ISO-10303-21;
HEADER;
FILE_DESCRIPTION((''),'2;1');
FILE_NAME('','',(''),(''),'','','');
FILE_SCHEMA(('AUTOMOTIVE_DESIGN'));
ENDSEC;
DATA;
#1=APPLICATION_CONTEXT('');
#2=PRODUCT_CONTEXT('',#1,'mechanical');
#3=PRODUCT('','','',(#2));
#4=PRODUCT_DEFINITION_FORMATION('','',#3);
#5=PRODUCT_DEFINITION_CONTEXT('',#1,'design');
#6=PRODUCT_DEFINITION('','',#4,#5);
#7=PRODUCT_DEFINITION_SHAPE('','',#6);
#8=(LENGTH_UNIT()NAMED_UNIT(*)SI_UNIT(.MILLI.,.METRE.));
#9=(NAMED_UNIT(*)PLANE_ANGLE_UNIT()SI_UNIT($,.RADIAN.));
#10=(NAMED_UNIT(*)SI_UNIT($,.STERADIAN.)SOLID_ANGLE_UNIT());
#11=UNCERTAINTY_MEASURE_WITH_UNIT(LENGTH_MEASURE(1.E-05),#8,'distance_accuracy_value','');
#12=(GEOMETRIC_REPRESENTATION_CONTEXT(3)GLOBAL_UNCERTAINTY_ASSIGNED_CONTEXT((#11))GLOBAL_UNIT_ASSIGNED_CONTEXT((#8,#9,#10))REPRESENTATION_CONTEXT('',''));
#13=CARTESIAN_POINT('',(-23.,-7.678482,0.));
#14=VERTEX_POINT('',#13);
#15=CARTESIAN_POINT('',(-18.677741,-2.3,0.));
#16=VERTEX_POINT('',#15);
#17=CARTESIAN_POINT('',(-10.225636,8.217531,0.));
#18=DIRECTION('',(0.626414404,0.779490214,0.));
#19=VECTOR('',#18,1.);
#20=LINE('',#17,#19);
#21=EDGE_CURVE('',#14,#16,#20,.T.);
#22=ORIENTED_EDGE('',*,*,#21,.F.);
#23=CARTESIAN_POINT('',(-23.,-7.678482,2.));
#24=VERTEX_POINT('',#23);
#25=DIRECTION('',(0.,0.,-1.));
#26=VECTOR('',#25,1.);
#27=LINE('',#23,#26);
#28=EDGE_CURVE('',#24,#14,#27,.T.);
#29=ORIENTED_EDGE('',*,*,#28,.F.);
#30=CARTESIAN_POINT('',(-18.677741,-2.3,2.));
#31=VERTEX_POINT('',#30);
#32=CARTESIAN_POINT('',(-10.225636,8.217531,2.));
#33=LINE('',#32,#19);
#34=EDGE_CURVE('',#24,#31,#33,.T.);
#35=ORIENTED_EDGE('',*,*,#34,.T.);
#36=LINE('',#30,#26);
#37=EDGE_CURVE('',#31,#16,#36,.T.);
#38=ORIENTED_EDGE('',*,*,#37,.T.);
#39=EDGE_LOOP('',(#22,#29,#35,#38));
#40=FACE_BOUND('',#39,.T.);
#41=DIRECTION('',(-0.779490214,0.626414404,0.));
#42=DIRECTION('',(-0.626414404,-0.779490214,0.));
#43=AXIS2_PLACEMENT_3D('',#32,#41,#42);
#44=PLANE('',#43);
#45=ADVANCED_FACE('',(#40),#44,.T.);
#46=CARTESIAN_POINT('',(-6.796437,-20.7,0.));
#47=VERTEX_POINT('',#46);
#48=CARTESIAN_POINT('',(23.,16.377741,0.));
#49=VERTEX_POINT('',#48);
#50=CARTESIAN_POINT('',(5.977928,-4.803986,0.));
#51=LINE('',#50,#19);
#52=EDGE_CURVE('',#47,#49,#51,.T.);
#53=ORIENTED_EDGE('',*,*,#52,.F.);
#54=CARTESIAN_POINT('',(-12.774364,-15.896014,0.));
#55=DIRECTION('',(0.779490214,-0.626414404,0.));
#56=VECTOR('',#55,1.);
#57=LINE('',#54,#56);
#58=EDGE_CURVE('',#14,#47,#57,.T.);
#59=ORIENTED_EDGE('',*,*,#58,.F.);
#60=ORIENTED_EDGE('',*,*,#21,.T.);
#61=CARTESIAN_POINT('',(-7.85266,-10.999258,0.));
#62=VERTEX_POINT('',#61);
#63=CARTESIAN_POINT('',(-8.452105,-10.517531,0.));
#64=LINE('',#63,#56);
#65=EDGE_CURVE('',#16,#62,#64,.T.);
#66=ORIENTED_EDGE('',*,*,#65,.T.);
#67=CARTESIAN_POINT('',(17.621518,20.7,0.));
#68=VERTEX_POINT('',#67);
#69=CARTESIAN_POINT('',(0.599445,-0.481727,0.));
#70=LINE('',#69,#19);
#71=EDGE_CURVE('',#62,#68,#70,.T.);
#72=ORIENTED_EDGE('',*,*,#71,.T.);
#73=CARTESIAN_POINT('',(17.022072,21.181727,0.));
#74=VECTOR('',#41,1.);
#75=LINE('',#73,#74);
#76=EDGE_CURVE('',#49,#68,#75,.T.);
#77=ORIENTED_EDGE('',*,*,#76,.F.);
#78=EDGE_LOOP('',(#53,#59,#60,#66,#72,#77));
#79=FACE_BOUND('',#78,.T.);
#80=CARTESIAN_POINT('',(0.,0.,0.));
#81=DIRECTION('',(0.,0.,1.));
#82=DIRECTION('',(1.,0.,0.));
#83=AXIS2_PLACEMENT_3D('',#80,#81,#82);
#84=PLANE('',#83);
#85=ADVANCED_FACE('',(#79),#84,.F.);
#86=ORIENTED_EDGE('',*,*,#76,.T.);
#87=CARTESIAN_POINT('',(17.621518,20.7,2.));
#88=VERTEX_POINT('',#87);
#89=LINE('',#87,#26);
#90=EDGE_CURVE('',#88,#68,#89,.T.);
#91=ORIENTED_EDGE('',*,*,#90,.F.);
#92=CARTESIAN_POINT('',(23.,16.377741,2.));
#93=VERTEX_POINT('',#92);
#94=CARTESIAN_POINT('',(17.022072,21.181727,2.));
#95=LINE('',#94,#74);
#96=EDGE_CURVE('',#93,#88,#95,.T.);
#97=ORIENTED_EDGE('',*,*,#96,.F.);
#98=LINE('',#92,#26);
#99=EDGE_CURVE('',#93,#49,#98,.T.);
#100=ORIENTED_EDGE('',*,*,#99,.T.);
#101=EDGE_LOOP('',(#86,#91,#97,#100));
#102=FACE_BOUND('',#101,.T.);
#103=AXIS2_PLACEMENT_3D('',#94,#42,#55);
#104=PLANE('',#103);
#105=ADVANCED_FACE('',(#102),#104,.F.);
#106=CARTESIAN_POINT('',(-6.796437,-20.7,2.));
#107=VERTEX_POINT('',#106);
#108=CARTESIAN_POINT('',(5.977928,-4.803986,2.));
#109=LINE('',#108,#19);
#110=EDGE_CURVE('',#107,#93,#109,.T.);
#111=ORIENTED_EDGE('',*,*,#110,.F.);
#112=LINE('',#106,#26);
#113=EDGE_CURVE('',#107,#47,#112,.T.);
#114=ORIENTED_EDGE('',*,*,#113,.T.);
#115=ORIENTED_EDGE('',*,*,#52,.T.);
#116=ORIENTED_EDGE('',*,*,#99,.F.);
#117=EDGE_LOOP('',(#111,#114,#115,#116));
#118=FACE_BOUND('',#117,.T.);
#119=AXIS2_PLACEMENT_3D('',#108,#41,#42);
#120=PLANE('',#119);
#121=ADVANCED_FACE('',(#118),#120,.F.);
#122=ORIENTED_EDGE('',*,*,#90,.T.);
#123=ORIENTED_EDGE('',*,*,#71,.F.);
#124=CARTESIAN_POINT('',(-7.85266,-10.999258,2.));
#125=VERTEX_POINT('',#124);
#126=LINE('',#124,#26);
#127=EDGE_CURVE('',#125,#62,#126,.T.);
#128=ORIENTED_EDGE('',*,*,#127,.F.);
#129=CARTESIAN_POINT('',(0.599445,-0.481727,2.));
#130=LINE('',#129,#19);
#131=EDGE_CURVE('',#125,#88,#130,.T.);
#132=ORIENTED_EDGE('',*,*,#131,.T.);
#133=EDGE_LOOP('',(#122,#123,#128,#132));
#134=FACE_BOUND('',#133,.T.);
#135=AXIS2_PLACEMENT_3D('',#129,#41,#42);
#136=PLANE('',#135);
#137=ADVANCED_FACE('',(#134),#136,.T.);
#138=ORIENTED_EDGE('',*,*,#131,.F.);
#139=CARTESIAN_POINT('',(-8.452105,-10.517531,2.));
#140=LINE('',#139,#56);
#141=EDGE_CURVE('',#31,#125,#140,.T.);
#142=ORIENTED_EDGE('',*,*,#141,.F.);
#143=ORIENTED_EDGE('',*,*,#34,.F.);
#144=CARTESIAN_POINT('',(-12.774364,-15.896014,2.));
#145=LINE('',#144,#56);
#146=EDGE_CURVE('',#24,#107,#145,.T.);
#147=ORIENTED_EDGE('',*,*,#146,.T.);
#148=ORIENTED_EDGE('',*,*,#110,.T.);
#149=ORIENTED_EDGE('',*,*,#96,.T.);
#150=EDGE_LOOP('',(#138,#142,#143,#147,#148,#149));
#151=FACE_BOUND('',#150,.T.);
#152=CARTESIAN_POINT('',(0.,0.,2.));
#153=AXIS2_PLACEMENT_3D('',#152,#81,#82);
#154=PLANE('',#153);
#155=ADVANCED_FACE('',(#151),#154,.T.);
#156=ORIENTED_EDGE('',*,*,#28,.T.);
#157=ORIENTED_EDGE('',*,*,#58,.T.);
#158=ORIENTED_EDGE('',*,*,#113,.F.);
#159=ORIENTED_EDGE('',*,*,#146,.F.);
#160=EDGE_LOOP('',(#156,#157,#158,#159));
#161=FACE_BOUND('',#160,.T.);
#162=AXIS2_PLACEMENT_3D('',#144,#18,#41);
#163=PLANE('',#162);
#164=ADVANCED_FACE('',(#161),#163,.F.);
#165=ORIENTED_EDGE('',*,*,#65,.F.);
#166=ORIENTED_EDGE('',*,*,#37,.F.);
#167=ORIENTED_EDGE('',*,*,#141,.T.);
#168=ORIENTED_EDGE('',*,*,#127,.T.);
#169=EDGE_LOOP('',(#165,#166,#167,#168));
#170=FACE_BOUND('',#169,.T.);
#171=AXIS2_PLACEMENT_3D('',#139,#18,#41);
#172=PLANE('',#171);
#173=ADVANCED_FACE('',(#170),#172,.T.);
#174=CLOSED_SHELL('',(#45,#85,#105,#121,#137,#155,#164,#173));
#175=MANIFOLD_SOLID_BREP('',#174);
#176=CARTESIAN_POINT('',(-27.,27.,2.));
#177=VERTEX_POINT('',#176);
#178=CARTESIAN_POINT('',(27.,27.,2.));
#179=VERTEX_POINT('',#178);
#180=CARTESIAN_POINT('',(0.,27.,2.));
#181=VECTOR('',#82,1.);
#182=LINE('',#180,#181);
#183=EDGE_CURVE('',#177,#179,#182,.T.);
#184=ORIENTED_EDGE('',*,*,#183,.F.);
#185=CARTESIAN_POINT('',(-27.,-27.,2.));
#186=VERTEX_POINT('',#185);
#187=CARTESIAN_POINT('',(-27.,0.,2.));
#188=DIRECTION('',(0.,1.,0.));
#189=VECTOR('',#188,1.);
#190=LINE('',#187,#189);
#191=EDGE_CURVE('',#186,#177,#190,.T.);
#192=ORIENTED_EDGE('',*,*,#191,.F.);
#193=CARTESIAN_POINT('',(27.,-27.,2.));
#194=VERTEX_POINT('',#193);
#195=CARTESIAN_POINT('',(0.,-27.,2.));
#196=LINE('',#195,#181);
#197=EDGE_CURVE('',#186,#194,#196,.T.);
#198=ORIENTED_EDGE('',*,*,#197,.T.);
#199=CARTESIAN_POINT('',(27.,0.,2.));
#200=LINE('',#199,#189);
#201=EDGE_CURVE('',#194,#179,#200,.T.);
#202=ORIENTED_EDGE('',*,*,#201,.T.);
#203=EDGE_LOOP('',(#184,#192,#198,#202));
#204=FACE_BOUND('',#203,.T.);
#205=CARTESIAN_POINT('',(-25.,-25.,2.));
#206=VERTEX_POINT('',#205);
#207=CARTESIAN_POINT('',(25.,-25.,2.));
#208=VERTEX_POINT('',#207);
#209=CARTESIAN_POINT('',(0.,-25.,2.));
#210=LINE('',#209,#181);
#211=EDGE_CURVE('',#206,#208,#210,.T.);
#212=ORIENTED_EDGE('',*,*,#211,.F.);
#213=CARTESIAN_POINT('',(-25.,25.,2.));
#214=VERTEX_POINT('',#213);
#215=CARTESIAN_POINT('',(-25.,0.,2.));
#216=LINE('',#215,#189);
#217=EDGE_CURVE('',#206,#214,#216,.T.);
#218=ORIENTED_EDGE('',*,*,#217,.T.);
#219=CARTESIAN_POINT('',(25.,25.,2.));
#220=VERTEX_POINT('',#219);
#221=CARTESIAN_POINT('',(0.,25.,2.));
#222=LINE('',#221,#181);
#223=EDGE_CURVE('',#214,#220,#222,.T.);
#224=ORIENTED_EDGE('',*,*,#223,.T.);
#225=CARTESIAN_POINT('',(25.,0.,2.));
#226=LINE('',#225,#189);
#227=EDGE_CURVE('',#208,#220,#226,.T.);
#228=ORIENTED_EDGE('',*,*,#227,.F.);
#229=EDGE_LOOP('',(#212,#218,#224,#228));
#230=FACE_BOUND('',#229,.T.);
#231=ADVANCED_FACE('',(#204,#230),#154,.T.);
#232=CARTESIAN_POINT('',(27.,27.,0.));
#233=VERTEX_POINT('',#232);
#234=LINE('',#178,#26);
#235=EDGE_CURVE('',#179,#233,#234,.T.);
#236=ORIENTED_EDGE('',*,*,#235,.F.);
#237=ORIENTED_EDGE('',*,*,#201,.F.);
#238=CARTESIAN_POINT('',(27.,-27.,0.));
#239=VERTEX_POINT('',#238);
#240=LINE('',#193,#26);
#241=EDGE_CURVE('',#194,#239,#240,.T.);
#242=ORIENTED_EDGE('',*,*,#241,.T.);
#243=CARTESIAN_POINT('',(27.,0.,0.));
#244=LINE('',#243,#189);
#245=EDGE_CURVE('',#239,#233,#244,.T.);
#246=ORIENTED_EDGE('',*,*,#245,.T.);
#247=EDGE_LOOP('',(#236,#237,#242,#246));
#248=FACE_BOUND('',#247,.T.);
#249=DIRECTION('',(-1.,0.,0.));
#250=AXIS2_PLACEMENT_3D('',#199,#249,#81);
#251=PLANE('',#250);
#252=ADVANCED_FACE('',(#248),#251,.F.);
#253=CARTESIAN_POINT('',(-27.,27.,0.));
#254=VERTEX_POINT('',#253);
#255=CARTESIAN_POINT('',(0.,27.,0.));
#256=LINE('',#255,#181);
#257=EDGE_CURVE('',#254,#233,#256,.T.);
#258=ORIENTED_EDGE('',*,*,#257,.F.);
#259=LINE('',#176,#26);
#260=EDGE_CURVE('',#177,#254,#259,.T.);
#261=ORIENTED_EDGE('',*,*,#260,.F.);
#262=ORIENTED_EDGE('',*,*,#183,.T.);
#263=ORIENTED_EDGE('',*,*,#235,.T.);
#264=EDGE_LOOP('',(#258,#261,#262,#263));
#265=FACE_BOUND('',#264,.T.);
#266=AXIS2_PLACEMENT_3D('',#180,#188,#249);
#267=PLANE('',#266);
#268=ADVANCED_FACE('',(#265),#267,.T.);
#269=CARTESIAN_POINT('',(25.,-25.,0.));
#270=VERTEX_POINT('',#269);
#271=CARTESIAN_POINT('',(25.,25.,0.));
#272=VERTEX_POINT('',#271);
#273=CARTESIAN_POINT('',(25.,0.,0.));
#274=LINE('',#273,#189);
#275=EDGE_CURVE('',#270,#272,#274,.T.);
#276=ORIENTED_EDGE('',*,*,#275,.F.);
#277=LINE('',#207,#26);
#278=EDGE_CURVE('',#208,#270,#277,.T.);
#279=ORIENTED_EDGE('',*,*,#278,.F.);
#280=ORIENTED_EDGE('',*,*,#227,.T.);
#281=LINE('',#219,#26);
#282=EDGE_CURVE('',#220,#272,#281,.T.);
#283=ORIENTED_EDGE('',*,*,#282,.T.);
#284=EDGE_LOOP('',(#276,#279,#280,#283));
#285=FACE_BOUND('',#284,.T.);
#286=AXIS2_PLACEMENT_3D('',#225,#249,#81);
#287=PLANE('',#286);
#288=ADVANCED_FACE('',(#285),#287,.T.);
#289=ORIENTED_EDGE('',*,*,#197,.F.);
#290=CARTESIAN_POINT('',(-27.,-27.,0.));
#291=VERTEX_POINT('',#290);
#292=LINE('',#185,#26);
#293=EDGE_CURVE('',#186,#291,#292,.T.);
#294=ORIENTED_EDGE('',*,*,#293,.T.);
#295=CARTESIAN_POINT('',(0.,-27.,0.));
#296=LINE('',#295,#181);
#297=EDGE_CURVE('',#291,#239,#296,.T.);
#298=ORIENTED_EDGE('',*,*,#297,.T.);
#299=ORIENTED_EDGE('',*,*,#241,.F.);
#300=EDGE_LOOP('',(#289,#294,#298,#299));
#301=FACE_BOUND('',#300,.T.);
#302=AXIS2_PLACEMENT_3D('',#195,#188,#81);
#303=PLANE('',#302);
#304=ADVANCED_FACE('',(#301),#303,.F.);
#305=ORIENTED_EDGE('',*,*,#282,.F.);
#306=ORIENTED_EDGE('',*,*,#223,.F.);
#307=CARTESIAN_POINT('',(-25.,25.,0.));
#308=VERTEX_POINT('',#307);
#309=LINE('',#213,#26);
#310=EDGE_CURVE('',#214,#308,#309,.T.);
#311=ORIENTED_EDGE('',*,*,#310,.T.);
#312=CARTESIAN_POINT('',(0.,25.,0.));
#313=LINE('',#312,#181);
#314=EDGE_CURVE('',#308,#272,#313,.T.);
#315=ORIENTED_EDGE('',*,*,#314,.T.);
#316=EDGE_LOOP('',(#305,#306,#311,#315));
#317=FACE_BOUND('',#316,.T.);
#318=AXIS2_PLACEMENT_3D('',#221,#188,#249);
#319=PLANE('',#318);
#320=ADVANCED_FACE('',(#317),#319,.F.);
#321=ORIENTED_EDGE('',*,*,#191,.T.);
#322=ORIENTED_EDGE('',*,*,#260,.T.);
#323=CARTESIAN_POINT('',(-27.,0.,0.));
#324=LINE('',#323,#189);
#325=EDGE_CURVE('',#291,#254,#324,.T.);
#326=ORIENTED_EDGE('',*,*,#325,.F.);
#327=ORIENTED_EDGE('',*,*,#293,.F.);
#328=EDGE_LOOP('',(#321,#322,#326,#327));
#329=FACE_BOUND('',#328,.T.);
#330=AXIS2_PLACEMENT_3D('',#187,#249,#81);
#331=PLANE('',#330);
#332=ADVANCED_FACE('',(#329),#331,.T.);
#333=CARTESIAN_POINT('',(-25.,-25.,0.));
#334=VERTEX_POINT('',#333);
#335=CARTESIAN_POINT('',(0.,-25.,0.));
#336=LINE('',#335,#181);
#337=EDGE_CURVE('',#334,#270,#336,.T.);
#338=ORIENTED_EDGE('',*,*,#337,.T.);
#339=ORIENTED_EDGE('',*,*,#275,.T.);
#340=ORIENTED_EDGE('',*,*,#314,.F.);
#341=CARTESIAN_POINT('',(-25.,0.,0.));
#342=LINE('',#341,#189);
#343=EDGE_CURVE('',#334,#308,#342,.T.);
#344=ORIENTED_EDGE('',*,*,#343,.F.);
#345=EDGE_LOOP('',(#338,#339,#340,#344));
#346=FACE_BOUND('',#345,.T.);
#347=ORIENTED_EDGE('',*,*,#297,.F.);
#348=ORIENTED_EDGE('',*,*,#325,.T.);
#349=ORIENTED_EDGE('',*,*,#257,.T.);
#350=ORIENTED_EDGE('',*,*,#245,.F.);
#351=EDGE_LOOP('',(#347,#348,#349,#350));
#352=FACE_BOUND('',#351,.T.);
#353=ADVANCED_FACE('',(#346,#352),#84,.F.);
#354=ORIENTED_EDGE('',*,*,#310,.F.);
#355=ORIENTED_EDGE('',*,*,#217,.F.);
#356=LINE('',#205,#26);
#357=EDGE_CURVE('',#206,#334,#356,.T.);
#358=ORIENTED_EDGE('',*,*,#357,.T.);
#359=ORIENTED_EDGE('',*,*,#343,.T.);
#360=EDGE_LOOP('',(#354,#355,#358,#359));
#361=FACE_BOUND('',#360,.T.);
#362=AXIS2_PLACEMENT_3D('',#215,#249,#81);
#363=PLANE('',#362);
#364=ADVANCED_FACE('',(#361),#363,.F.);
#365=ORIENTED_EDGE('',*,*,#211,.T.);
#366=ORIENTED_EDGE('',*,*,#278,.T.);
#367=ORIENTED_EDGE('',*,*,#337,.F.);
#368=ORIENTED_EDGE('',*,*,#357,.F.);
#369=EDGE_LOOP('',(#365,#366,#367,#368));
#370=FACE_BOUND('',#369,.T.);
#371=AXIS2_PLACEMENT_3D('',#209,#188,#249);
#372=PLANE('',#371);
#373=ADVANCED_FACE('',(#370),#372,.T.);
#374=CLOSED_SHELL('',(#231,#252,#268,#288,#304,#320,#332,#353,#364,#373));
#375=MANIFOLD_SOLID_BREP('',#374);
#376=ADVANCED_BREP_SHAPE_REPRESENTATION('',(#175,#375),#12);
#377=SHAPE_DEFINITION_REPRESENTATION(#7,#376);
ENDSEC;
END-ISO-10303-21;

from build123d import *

# Parameters (mm, degrees)
SKETCH1_W           = 54
SKETCH1_H           = 54
SKETCH1_W_2         = 50
SKETCH1_H_2         = 50
BOSS_EXTRUDE1_DEPTH = 2


with BuildPart() as part:
    # Sketch1 → Boss-Extrude1 (new body)
    with BuildSketch(Plane.XY):
        Rectangle(SKETCH1_W, SKETCH1_H)
        Rectangle(SKETCH1_W_2, SKETCH1_H_2, mode=Mode.SUBTRACT)
        Polygon((-7.852659733, -10.999258133), (-12.17491912, -16.377740612), (-6.796436641, -20.7), (-2.474177253, -15.32151752), align=None)
        Polygon((-18.677740612, -2.3), (-23, -7.67848248), (-12.17491912, -16.377740612), (-7.852659733, -10.999258133), align=None)
        Polygon((17.62151752, 20.7), (-7.852659733, -10.999258133), (-2.474177253, -15.32151752), (23, 16.377740612), align=None)
    extrude(amount=BOSS_EXTRUDE1_DEPTH)


solid = part.part
